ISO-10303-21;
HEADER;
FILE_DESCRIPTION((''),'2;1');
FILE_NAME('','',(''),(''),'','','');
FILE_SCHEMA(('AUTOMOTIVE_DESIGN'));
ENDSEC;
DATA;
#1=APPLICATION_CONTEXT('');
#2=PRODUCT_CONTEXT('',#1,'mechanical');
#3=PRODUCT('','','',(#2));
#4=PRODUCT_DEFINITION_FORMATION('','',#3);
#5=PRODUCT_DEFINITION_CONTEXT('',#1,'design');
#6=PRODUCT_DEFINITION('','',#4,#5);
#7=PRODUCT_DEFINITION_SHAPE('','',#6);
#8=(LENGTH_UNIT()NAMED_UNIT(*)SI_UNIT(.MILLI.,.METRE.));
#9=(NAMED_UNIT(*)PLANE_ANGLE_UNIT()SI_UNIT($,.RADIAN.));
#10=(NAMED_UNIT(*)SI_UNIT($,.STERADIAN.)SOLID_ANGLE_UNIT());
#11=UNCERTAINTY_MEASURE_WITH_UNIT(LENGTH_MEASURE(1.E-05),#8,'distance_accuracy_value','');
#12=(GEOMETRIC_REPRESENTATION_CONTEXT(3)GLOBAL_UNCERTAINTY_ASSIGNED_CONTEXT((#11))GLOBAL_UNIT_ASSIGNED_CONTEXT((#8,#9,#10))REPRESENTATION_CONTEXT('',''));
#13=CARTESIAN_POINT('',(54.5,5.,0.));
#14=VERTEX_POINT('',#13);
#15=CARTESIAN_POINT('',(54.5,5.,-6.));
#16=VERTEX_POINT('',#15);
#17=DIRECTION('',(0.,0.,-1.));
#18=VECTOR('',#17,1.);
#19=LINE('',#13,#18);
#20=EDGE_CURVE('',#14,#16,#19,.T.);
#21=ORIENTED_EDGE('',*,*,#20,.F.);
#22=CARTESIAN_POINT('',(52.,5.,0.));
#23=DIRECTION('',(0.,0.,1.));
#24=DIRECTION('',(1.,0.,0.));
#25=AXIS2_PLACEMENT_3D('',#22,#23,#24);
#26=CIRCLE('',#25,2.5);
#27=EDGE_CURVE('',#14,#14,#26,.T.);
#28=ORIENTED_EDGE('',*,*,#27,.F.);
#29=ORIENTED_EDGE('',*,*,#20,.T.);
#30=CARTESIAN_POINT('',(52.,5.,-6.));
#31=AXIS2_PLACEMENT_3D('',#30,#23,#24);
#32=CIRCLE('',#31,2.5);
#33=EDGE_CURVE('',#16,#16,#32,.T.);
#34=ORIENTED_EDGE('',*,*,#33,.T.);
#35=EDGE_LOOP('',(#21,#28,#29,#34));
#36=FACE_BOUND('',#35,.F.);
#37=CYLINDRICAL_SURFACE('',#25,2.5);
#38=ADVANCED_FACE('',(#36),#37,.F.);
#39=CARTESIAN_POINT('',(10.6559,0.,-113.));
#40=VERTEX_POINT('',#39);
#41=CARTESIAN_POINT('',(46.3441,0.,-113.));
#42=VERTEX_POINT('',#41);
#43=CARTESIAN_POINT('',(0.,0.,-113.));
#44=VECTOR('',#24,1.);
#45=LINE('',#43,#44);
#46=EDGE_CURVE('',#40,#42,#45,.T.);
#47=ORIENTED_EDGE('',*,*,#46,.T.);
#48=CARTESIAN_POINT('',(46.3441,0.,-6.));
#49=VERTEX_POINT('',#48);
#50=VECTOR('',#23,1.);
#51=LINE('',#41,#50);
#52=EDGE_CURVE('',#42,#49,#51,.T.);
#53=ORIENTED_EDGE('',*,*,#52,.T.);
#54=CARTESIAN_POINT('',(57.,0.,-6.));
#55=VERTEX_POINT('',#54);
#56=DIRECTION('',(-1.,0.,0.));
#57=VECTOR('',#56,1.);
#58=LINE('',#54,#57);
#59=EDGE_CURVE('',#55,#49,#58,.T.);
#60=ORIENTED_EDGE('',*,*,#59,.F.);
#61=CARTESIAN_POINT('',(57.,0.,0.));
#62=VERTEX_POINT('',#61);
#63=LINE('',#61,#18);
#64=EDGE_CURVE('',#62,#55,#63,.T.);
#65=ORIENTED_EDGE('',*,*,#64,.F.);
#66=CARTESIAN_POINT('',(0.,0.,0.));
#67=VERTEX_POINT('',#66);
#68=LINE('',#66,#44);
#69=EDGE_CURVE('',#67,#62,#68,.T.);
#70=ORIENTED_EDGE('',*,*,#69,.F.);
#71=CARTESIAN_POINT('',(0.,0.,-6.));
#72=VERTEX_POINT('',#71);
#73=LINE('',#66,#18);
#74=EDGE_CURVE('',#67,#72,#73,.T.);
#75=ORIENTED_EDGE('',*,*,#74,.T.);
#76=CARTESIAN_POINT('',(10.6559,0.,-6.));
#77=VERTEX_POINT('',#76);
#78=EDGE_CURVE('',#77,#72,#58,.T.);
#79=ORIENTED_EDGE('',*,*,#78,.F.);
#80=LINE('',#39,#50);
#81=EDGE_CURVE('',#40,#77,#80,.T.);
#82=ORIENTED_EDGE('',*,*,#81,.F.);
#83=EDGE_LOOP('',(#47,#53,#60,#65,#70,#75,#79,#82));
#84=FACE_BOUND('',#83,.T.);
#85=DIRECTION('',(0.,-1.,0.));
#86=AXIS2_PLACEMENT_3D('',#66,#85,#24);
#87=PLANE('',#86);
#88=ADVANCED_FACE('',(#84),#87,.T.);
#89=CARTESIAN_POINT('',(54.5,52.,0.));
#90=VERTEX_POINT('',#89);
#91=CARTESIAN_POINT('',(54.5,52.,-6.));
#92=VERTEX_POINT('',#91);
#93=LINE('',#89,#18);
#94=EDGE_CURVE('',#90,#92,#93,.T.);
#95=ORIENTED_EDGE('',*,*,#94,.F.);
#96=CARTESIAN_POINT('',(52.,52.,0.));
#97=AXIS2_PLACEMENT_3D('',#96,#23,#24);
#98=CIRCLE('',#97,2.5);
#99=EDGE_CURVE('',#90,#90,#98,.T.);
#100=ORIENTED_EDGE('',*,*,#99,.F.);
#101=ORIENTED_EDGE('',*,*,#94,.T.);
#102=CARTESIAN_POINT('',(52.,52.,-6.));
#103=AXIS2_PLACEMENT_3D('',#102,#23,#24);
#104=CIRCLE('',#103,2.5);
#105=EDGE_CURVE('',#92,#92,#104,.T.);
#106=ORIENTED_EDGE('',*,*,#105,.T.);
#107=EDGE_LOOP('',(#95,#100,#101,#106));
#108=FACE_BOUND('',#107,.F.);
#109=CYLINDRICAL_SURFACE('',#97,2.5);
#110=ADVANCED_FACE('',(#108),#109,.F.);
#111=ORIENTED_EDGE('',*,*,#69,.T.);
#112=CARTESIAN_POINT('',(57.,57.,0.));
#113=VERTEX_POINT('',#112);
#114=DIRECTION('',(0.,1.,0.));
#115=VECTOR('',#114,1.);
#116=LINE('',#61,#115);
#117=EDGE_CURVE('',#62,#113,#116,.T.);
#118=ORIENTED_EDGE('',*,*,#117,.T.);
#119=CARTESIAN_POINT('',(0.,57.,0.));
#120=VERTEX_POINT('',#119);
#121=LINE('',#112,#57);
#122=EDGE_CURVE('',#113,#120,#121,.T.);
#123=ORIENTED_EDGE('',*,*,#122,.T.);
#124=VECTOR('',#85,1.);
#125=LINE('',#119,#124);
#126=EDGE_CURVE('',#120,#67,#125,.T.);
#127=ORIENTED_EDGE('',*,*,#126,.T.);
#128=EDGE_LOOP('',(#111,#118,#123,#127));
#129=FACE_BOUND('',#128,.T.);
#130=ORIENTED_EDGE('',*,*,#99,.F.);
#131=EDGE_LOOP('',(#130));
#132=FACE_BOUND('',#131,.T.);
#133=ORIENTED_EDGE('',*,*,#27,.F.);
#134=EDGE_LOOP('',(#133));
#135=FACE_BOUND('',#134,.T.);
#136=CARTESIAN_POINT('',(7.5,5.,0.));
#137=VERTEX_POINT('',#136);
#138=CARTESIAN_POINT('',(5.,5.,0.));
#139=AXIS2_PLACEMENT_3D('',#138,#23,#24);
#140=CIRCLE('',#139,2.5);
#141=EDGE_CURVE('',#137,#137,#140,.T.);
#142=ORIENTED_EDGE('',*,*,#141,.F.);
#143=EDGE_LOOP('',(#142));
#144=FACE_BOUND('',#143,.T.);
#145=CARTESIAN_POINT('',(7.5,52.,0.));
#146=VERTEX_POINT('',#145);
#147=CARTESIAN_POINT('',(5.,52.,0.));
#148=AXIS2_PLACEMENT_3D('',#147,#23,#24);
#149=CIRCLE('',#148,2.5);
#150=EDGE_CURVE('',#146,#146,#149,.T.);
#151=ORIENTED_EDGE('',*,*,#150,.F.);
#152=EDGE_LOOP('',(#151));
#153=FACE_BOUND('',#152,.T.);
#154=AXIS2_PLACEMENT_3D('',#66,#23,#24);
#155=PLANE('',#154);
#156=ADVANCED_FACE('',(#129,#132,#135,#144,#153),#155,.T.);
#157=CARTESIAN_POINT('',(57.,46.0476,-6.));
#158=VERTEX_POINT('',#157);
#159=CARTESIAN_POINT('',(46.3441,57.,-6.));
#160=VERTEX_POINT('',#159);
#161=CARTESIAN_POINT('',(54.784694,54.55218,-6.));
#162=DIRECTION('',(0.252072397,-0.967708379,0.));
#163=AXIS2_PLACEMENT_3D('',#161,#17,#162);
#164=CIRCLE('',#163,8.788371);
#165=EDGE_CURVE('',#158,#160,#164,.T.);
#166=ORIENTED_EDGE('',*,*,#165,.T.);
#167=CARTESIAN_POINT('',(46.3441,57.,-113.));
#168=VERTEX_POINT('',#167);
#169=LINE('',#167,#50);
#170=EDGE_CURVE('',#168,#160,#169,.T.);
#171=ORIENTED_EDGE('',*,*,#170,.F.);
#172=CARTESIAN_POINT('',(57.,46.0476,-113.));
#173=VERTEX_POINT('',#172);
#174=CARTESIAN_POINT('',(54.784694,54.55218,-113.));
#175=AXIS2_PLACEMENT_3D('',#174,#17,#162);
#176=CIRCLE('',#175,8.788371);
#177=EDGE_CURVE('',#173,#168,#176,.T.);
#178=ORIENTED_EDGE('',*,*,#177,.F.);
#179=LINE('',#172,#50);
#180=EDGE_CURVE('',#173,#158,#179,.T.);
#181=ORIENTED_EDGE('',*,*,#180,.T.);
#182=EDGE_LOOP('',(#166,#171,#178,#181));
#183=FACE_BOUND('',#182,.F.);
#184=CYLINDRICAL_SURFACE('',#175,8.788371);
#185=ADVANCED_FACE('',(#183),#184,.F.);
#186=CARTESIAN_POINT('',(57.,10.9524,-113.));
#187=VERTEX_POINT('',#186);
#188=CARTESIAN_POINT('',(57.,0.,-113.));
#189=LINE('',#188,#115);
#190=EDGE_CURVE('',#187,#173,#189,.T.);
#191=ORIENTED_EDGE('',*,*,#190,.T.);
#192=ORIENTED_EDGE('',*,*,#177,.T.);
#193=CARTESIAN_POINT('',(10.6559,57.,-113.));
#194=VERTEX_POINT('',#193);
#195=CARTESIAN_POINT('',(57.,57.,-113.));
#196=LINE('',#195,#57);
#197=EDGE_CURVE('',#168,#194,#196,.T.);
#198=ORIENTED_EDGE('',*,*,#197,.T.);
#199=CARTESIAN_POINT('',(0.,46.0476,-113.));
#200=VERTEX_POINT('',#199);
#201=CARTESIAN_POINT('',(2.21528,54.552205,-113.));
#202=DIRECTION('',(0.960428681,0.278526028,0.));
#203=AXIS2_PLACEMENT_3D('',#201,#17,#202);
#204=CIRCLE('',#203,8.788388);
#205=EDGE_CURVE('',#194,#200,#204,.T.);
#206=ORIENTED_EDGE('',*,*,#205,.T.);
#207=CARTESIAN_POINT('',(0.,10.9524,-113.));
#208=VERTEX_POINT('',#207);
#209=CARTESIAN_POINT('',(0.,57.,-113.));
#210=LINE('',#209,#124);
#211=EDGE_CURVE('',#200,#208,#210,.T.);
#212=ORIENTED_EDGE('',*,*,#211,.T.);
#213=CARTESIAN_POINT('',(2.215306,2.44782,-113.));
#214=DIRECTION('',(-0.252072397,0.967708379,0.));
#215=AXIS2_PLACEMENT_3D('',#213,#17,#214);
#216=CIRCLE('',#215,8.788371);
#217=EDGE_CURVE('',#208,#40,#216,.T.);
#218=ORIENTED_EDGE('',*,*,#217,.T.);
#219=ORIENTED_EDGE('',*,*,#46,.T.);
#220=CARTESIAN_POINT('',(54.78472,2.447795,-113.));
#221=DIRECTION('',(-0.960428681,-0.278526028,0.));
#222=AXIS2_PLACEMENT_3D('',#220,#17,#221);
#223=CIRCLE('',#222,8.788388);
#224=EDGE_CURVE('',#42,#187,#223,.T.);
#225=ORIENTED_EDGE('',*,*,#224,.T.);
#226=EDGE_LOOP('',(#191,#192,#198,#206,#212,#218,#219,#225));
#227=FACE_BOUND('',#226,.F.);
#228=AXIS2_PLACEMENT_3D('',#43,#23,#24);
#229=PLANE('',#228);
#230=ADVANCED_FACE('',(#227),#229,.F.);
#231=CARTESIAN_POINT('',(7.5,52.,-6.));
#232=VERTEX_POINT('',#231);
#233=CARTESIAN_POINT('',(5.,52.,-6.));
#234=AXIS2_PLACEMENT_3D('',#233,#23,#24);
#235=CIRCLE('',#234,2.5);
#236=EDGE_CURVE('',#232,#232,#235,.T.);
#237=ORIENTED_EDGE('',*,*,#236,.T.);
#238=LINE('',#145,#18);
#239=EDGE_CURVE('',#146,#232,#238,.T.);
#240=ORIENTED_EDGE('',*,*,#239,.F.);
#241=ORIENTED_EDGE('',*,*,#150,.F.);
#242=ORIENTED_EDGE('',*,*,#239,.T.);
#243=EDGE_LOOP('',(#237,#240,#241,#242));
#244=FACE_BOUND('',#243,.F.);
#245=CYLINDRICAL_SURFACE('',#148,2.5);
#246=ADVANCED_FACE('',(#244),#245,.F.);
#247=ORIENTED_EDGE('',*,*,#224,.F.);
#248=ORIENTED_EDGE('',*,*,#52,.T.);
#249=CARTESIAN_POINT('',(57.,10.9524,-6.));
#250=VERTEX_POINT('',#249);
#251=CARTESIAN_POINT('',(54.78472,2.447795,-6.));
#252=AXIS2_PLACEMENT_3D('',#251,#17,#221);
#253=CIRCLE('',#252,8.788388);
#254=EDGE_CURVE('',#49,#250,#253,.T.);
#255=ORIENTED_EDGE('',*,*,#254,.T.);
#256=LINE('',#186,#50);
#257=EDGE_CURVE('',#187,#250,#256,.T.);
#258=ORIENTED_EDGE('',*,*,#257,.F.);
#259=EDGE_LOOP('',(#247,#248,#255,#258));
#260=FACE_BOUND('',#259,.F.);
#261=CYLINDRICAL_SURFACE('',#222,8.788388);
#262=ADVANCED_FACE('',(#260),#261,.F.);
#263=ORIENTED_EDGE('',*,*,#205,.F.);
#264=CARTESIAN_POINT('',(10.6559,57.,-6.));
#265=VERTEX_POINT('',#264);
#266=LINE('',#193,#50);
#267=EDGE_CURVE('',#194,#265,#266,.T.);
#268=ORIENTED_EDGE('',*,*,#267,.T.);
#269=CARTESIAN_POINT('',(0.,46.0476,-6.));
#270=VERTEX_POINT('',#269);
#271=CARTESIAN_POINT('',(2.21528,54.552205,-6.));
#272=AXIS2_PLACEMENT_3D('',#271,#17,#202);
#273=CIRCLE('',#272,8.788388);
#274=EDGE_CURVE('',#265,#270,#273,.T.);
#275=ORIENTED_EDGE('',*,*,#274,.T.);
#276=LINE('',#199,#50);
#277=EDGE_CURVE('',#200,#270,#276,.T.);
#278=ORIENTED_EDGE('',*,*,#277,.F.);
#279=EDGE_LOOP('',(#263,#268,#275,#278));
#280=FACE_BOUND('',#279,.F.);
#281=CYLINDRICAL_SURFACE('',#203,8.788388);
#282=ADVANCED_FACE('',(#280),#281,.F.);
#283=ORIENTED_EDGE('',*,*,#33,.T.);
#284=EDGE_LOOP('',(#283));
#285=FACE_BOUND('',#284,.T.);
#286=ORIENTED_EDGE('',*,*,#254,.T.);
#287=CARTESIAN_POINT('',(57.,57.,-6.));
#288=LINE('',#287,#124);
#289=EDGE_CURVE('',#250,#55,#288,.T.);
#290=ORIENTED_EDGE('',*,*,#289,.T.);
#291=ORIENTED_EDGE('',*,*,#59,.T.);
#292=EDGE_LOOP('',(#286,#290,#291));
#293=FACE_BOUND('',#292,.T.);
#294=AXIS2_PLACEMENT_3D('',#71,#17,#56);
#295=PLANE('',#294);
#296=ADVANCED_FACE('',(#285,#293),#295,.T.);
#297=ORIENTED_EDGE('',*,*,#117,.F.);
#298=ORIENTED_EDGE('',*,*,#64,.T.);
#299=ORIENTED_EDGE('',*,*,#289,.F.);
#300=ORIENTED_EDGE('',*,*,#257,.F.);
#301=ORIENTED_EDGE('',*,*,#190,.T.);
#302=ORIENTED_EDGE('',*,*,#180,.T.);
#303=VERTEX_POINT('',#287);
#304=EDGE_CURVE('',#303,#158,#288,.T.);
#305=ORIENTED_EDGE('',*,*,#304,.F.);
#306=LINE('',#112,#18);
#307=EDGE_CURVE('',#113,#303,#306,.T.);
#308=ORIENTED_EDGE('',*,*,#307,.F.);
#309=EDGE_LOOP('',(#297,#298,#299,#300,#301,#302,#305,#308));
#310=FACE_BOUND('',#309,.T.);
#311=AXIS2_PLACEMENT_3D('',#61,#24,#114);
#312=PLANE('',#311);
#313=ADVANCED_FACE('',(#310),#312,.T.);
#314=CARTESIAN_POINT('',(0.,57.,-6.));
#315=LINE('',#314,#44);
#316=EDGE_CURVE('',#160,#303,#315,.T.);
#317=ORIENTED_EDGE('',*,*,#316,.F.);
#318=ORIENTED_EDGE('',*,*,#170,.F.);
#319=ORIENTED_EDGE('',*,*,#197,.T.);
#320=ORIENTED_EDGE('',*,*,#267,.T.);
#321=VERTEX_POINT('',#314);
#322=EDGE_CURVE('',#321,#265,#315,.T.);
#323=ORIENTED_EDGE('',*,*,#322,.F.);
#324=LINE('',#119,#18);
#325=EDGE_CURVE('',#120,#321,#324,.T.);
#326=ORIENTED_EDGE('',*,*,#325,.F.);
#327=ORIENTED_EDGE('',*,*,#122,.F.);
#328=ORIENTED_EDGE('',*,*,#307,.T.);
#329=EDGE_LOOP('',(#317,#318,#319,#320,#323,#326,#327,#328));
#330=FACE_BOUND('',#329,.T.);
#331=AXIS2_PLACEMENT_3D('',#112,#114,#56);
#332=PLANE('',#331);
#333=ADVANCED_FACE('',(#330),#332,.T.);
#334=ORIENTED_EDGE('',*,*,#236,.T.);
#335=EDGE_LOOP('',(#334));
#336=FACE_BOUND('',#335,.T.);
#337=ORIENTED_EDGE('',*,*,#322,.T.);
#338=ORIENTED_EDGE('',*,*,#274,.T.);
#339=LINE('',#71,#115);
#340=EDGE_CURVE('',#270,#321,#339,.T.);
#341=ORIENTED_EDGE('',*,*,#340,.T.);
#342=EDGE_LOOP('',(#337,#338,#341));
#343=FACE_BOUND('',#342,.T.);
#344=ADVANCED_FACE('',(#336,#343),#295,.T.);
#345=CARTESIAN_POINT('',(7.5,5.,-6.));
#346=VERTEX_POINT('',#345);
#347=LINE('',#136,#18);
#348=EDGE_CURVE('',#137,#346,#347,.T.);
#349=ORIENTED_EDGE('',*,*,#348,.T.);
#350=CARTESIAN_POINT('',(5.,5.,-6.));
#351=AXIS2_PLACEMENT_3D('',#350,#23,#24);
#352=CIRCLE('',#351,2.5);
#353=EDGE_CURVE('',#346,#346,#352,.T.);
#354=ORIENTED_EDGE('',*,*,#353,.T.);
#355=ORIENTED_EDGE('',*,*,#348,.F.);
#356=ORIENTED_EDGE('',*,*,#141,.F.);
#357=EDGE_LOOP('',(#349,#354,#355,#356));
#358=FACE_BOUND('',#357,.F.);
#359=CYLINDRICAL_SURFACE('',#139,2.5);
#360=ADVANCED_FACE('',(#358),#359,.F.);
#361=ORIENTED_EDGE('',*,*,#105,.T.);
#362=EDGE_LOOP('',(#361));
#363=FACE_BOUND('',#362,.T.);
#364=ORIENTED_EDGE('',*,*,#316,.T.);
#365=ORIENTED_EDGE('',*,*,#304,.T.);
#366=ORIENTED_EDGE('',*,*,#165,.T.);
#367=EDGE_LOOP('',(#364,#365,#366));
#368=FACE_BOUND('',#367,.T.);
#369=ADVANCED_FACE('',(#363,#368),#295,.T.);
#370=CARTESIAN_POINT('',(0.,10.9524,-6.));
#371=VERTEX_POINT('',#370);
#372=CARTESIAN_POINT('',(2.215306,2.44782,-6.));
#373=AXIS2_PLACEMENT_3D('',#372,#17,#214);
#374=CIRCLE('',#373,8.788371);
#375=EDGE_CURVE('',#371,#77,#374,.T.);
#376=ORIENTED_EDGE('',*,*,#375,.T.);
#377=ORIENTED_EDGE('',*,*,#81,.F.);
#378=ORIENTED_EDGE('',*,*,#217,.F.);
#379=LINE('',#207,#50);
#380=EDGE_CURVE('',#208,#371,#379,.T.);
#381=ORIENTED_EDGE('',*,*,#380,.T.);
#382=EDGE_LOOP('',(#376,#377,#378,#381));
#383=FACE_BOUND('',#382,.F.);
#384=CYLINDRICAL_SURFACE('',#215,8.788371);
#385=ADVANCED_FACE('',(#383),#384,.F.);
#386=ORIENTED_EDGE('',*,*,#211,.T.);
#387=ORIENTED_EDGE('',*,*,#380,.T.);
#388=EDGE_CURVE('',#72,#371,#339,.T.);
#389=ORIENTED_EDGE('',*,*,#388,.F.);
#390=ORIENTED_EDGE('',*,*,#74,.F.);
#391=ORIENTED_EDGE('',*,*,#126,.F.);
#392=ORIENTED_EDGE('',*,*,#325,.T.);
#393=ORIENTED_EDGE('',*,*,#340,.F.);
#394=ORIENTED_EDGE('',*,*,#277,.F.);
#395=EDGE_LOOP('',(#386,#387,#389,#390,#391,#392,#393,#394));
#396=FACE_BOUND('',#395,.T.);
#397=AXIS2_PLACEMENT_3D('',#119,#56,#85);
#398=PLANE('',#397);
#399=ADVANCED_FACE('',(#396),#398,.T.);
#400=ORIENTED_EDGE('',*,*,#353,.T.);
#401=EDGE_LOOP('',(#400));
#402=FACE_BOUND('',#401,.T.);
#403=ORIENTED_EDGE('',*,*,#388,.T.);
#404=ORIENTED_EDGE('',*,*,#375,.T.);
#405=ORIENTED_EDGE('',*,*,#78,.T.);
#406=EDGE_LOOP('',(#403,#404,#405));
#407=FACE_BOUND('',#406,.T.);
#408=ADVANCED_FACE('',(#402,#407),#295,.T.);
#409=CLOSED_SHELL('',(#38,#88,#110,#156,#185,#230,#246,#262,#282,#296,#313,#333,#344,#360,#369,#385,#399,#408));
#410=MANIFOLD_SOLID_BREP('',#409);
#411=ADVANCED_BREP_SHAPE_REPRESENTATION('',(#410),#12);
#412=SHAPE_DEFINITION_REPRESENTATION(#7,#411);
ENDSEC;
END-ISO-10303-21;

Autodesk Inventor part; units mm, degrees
ref_plane "YZ Plane" through (0, 0, 0) normal (1, 0, 0) x (0, 1, 0)
ref_plane "XZ Plane" through (0, 0, 0) normal (0, 1, 0) x (-1, 0, 0)
sketch "Sketch1" plane through (0, 0, 0) normal (0, 0, 1) x (1, 0, 0)
  line L0 (0, 0) -> (57, 0)
  line L1 (57, 0) -> (57, 57)
  line L2 (57, 57) -> (0, 57)
  line L3 (0, 57) -> (0, 0)
  circle A0 centre (5, 5) radius 2.5
  circle A1 centre (52, 5) radius 2.5
  circle A2 centre (5, 52) radius 2.5
  circle A3 centre (52, 52) radius 2.5
  dimension "d0" = 57
  dimension "d1" = 57
  dimension "d2" = 5
  dimension "d3" = 5
  dimension "d4" = 5
extrude "Extrusion1" add sketch "Sketch1" against normal blind 113
sketch "Sketch2" plane through (0, 0, -113) normal (0, 0, -1) x (-1, 0, 0)
  line L0 (0, 57) -> (-57, 57) projected
  line L1 (-28.5, 57) -> (-28.5, 0)
  line L2 (-57, 0) -> (0, 0) projected
  line L3 (-57, 57) -> (-57, 0) projected
  line L4 (-57, 28.5) -> (0, 28.5)
  line L5 (0, 0) -> (0, 57) projected
  arc A0 (-46.3441, 0) -> (-57, 10.9524) centre (-54.7847, 2.4478) ccw
  line L6 (-57, 10.9524) -> (-57, 0)
  line L7 (0, 0) -> (-57, 0)
  line L8 (0, 57) -> (0, 0)
  arc A1 (0, 10.9524) -> (-10.6559, 0) centre (-2.2153, 2.4478) ccw
  line L9 (-57, 57) -> (0, 57)
  arc A2 (-57, 46.0476) -> (-46.3441, 57) centre (-54.7847, 54.5522) ccw
  line L10 (-57, 46.0476) -> (-57, 57)
  arc A3 (-10.6559, 57) -> (0, 46.0476) centre (-2.2153, 54.5522) ccw
  line L11 (0, 57) -> (-57, 57)
  point P0 (0, 10.9524)
  point P1 (-10.6559, 0)
  point P2 (-10.6559, 57)
  point P3 (0, 46.0476)
  point P4 (-46.3441, 57)
extrude "Extrusion2" cut sketch "Sketch2" against normal blind 107 contours L5 A3 L0 | A2 L3 L0 | L5 L2 A1 | L2 L3 A0
properties part number "nema23"
